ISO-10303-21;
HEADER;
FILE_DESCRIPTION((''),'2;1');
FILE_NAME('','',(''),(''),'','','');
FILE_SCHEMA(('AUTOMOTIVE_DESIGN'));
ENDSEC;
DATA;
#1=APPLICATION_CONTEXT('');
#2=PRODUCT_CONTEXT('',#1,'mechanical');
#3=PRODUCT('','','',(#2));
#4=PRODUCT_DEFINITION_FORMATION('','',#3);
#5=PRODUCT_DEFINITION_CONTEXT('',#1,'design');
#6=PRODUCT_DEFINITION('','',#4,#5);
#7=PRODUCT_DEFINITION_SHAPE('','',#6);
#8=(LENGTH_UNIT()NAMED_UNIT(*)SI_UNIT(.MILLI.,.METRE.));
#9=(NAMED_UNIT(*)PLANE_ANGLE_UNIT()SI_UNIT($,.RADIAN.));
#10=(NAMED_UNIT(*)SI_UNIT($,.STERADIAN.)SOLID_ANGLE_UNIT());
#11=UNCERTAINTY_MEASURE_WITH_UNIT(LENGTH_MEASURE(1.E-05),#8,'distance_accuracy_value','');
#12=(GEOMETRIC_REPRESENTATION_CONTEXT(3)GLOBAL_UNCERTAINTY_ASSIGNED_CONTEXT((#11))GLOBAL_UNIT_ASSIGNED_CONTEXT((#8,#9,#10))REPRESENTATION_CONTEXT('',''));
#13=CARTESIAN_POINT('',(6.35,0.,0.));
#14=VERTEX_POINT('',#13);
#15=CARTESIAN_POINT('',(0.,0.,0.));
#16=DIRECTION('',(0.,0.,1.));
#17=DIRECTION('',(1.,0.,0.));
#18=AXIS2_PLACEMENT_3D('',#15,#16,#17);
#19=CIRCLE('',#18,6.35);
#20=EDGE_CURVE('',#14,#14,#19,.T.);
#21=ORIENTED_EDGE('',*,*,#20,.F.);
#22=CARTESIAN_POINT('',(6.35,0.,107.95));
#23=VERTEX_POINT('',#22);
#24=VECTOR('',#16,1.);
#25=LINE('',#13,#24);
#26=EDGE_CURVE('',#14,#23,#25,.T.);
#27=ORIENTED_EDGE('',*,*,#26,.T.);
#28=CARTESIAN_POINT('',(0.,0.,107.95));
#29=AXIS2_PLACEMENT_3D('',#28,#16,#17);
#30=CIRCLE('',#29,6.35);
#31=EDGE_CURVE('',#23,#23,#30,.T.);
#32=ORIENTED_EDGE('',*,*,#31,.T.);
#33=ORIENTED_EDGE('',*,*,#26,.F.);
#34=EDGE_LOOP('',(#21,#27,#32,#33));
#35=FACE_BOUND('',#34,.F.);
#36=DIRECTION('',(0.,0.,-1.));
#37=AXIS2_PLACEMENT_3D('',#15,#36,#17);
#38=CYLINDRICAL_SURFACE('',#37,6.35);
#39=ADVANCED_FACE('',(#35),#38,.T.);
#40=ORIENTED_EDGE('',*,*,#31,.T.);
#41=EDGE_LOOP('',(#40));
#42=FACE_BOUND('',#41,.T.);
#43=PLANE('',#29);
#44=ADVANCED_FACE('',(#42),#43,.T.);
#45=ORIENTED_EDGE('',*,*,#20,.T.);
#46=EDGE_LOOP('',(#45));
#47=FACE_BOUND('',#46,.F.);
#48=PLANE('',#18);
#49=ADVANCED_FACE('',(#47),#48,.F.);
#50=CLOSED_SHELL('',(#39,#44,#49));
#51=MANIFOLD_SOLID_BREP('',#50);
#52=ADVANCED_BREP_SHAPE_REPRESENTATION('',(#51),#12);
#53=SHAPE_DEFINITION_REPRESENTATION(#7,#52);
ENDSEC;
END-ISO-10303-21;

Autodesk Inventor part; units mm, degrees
ref_plane "YZ Plane" through (0, 0, 0) normal (1, 0, 0) x (0, 1, 0)
ref_plane "XZ Plane" through (0, 0, 0) normal (0, 1, 0) x (-1, 0, 0)
ref_plane "XY Plane" through (0, 0, 0) normal (0, 0, 1) x (1, 0, 0)
sketch "Sketch1" plane through (0, 0, 0) normal (0, 0, 1) x (1, 0, 0)
  circle A0 centre (0, 0) radius 6.35
  dimension "d0" = 12.7
extrude "Extrusion1" add sketch "Sketch1" along normal blind 107.95
properties part number "CLB_088_ClimberMountBar" material "Aluminum 6061"
